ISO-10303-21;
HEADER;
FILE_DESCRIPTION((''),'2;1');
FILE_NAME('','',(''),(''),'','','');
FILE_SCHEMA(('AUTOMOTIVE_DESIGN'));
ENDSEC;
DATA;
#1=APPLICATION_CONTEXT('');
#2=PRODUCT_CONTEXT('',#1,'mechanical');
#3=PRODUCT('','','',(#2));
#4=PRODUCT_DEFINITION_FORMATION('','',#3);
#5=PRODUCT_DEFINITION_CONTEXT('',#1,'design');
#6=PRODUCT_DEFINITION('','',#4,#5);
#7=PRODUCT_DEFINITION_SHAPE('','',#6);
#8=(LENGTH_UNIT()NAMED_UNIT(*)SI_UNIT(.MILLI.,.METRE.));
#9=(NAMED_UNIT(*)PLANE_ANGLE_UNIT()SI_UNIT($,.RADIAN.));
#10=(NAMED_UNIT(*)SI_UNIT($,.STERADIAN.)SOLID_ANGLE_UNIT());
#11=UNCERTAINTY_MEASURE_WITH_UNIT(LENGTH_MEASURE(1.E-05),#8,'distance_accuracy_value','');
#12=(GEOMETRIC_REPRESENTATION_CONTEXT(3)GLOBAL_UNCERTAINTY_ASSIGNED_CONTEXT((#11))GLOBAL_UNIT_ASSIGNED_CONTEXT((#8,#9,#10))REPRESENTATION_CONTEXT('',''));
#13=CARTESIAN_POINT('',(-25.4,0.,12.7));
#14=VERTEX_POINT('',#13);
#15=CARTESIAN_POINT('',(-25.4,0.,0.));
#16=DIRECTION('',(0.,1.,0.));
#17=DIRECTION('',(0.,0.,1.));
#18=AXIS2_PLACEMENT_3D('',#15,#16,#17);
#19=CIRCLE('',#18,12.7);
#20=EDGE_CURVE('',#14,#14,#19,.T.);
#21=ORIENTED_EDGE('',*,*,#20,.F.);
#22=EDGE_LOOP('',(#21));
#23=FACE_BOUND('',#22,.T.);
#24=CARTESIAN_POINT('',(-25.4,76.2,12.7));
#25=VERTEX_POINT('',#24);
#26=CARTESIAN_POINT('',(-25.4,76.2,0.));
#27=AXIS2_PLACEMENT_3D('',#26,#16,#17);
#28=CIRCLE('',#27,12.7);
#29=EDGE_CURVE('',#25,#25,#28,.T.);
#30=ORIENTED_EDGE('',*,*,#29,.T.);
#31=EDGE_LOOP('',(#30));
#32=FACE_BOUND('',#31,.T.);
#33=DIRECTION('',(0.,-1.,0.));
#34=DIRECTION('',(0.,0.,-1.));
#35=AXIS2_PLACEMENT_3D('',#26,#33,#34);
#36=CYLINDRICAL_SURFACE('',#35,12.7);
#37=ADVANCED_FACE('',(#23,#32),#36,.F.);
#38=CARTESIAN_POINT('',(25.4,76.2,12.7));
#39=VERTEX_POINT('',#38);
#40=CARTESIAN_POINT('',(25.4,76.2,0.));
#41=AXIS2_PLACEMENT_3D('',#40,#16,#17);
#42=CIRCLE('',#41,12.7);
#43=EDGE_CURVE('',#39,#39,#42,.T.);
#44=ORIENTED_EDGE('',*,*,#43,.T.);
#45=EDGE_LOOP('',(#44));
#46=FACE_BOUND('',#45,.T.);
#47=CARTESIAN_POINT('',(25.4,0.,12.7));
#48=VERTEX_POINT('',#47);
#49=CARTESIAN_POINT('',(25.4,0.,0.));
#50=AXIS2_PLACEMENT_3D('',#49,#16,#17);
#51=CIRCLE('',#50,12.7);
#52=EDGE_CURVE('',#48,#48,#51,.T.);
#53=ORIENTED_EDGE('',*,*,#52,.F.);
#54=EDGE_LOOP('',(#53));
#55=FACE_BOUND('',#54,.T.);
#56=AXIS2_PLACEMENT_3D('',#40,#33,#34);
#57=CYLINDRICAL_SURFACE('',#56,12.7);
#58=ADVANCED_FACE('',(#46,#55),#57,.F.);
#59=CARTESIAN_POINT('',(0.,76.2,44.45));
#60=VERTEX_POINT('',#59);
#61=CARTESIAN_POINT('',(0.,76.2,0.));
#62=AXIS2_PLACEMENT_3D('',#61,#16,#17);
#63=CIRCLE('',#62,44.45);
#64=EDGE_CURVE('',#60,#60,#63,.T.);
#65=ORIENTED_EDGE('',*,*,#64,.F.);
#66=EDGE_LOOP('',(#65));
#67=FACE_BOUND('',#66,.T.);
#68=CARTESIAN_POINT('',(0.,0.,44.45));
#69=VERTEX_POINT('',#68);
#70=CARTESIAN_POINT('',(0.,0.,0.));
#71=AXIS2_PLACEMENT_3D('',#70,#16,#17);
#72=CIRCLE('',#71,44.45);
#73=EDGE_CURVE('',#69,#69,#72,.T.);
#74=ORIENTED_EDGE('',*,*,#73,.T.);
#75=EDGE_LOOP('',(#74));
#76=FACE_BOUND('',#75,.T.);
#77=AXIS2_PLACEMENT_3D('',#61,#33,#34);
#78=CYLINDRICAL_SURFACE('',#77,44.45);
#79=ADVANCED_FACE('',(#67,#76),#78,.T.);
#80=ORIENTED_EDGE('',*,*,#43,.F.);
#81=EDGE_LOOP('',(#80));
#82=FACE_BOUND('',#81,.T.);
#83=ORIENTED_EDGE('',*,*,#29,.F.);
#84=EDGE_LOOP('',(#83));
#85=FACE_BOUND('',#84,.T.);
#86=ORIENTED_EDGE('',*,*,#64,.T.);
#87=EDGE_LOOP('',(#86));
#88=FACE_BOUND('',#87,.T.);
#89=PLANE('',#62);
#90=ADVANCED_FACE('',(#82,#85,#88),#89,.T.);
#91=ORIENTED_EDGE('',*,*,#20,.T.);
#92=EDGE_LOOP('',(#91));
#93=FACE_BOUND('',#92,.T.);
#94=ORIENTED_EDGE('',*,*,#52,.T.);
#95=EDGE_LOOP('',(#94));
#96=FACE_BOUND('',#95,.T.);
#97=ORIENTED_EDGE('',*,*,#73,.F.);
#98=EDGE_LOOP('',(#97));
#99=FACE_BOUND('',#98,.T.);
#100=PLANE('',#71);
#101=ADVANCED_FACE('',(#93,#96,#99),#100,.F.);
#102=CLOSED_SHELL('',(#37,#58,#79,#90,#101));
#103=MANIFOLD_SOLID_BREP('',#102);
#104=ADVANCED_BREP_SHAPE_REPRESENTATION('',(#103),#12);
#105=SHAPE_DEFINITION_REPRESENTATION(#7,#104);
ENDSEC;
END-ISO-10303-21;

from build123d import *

# Parameters (mm, degrees)
SKETCH1_R           = 44.45
SKETCH1_R_2         = 12.7
BOSS_EXTRUDE2_DEPTH = 76.2


with BuildPart() as part:
    # Sketch1 → Boss-Extrude2 (new body)
    with BuildSketch(Plane(origin=(0, 0, 0), x_dir=(1, 0, 0), z_dir=(0, 1, 0))):
        Circle(SKETCH1_R)
        with Locations((-25.4, 0)):
            Circle(SKETCH1_R_2, mode=Mode.SUBTRACT)
        with Locations((25.4, 0)):
            Circle(SKETCH1_R_2, mode=Mode.SUBTRACT)
    extrude(amount=BOSS_EXTRUDE2_DEPTH)


solid = part.part
